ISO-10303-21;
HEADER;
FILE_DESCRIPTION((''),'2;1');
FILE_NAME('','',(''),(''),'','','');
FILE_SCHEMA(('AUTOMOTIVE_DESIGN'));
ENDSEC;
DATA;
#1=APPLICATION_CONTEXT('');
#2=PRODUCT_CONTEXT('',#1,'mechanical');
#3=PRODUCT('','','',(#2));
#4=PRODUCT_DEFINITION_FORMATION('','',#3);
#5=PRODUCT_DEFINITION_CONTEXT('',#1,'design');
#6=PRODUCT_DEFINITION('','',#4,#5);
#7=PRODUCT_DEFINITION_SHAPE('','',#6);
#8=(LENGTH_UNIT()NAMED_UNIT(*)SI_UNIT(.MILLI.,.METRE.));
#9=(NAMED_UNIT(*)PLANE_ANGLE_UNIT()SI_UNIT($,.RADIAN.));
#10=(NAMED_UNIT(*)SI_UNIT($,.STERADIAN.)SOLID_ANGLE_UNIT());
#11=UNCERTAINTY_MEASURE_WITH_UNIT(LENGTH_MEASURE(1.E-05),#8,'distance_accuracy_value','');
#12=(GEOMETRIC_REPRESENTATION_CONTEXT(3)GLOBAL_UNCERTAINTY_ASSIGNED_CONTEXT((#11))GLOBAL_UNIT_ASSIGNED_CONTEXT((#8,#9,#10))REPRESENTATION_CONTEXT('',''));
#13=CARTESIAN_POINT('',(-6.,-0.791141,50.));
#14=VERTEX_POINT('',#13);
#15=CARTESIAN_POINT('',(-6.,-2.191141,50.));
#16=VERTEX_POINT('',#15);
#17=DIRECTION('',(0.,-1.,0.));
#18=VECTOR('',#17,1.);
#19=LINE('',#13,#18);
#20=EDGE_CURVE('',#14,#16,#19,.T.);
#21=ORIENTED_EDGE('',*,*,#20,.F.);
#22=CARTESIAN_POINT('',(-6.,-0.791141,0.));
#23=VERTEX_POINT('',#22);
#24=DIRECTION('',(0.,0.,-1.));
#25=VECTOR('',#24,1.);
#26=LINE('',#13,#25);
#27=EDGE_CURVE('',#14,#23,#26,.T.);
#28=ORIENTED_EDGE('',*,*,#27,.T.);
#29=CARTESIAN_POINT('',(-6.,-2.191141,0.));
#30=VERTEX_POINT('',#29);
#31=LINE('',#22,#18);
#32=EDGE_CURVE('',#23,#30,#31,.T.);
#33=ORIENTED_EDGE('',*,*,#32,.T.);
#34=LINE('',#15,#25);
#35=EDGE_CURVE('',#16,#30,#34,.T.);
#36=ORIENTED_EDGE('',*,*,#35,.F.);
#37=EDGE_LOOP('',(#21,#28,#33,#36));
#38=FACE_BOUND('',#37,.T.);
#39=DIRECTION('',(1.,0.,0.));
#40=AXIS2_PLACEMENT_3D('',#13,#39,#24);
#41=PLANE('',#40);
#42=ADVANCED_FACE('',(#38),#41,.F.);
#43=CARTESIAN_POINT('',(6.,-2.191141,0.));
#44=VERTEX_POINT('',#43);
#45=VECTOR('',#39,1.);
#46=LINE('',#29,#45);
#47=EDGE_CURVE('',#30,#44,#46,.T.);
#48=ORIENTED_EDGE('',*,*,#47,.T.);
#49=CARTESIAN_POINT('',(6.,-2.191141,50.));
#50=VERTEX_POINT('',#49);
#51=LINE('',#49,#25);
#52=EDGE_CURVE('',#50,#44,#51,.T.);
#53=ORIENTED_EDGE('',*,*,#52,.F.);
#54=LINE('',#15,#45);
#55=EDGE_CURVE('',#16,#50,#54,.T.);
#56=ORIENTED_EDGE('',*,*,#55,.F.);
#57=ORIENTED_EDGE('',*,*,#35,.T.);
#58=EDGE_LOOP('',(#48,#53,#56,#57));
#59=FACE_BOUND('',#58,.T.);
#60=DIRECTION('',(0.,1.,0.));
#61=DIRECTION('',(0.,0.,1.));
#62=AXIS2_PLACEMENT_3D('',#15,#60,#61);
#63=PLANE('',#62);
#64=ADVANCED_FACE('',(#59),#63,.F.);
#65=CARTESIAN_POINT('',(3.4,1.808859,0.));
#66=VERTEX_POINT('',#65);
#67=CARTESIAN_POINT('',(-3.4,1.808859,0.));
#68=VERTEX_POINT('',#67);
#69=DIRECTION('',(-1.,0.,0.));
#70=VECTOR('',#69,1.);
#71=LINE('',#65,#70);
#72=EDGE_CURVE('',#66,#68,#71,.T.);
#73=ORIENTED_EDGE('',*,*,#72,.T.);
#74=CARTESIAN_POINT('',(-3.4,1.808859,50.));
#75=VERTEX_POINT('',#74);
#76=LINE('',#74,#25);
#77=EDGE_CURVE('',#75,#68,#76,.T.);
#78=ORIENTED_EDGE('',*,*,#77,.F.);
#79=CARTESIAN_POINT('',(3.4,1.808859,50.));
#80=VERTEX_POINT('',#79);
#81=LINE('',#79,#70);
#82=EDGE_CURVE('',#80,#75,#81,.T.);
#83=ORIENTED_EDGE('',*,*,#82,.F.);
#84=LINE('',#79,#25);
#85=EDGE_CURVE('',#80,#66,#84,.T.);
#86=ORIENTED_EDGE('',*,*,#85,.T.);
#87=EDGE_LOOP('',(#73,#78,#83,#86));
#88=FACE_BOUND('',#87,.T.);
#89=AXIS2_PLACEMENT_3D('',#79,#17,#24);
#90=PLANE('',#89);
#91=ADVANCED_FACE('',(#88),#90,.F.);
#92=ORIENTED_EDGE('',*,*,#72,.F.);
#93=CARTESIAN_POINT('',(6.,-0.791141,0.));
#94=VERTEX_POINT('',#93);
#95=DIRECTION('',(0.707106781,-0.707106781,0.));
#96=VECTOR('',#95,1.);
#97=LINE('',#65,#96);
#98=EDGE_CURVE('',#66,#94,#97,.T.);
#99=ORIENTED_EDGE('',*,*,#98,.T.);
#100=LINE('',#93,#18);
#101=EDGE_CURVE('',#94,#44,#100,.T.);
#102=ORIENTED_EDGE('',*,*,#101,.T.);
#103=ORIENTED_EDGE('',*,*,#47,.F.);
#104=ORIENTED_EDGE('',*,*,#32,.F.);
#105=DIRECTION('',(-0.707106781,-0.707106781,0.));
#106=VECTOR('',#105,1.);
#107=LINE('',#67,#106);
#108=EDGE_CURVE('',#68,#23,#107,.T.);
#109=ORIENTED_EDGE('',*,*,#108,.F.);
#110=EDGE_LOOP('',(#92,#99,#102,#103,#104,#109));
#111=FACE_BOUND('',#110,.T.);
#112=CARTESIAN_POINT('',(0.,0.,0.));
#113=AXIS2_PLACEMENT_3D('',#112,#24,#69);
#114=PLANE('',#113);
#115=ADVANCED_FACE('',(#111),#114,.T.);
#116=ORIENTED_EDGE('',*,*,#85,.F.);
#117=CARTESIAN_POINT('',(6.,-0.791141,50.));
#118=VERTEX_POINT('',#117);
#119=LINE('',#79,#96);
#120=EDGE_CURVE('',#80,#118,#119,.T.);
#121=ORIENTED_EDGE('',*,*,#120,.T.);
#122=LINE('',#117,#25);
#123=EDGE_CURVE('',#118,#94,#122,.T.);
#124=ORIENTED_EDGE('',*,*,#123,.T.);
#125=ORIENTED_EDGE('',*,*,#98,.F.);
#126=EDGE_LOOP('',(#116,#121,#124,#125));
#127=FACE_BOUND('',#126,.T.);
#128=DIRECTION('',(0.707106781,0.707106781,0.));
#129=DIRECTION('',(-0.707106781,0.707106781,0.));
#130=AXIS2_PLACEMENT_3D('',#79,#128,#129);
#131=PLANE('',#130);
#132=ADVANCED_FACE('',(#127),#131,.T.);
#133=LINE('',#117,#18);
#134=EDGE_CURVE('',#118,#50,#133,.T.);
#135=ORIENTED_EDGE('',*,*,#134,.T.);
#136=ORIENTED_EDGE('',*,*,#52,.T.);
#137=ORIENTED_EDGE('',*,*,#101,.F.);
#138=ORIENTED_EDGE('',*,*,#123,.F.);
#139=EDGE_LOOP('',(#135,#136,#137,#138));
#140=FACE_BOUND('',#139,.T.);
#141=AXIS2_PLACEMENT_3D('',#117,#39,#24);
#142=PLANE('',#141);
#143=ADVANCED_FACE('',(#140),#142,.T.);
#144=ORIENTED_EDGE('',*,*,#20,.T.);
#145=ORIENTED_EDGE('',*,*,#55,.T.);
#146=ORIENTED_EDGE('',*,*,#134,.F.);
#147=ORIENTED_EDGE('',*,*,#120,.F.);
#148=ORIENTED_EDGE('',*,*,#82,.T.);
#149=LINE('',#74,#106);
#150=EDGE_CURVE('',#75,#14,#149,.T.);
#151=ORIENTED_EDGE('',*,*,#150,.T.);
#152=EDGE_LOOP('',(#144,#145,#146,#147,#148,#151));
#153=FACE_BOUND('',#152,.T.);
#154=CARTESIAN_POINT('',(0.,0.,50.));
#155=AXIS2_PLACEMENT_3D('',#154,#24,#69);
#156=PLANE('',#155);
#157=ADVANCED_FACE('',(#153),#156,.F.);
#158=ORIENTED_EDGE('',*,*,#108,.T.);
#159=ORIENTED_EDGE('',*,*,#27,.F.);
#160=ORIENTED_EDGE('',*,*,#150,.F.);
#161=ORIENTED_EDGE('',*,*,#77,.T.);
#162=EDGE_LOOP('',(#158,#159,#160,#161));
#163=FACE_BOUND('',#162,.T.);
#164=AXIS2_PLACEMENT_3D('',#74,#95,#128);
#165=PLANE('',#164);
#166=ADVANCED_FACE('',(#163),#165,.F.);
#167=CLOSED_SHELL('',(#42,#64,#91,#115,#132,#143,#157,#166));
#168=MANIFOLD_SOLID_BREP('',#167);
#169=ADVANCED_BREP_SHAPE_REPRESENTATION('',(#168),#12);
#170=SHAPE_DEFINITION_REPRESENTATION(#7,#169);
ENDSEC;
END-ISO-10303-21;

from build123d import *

# Parameters (mm, degrees)
AUFSATZ_LINEAR_AUSTRAGEN1_DEPTH = 50


with BuildPart() as part:
    # Skizze1 → Aufsatz-Linear austragen1 (new body)
    with BuildSketch(Plane.XY):
        Polygon((3.4, 1.808858787), (-3.4, 1.808858787), (-6, -0.791141213), (-6, -2.191141213), (6, -2.191141213), (6, -0.791141213), align=None)
    extrude(amount=AUFSATZ_LINEAR_AUSTRAGEN1_DEPTH)


solid = part.part
